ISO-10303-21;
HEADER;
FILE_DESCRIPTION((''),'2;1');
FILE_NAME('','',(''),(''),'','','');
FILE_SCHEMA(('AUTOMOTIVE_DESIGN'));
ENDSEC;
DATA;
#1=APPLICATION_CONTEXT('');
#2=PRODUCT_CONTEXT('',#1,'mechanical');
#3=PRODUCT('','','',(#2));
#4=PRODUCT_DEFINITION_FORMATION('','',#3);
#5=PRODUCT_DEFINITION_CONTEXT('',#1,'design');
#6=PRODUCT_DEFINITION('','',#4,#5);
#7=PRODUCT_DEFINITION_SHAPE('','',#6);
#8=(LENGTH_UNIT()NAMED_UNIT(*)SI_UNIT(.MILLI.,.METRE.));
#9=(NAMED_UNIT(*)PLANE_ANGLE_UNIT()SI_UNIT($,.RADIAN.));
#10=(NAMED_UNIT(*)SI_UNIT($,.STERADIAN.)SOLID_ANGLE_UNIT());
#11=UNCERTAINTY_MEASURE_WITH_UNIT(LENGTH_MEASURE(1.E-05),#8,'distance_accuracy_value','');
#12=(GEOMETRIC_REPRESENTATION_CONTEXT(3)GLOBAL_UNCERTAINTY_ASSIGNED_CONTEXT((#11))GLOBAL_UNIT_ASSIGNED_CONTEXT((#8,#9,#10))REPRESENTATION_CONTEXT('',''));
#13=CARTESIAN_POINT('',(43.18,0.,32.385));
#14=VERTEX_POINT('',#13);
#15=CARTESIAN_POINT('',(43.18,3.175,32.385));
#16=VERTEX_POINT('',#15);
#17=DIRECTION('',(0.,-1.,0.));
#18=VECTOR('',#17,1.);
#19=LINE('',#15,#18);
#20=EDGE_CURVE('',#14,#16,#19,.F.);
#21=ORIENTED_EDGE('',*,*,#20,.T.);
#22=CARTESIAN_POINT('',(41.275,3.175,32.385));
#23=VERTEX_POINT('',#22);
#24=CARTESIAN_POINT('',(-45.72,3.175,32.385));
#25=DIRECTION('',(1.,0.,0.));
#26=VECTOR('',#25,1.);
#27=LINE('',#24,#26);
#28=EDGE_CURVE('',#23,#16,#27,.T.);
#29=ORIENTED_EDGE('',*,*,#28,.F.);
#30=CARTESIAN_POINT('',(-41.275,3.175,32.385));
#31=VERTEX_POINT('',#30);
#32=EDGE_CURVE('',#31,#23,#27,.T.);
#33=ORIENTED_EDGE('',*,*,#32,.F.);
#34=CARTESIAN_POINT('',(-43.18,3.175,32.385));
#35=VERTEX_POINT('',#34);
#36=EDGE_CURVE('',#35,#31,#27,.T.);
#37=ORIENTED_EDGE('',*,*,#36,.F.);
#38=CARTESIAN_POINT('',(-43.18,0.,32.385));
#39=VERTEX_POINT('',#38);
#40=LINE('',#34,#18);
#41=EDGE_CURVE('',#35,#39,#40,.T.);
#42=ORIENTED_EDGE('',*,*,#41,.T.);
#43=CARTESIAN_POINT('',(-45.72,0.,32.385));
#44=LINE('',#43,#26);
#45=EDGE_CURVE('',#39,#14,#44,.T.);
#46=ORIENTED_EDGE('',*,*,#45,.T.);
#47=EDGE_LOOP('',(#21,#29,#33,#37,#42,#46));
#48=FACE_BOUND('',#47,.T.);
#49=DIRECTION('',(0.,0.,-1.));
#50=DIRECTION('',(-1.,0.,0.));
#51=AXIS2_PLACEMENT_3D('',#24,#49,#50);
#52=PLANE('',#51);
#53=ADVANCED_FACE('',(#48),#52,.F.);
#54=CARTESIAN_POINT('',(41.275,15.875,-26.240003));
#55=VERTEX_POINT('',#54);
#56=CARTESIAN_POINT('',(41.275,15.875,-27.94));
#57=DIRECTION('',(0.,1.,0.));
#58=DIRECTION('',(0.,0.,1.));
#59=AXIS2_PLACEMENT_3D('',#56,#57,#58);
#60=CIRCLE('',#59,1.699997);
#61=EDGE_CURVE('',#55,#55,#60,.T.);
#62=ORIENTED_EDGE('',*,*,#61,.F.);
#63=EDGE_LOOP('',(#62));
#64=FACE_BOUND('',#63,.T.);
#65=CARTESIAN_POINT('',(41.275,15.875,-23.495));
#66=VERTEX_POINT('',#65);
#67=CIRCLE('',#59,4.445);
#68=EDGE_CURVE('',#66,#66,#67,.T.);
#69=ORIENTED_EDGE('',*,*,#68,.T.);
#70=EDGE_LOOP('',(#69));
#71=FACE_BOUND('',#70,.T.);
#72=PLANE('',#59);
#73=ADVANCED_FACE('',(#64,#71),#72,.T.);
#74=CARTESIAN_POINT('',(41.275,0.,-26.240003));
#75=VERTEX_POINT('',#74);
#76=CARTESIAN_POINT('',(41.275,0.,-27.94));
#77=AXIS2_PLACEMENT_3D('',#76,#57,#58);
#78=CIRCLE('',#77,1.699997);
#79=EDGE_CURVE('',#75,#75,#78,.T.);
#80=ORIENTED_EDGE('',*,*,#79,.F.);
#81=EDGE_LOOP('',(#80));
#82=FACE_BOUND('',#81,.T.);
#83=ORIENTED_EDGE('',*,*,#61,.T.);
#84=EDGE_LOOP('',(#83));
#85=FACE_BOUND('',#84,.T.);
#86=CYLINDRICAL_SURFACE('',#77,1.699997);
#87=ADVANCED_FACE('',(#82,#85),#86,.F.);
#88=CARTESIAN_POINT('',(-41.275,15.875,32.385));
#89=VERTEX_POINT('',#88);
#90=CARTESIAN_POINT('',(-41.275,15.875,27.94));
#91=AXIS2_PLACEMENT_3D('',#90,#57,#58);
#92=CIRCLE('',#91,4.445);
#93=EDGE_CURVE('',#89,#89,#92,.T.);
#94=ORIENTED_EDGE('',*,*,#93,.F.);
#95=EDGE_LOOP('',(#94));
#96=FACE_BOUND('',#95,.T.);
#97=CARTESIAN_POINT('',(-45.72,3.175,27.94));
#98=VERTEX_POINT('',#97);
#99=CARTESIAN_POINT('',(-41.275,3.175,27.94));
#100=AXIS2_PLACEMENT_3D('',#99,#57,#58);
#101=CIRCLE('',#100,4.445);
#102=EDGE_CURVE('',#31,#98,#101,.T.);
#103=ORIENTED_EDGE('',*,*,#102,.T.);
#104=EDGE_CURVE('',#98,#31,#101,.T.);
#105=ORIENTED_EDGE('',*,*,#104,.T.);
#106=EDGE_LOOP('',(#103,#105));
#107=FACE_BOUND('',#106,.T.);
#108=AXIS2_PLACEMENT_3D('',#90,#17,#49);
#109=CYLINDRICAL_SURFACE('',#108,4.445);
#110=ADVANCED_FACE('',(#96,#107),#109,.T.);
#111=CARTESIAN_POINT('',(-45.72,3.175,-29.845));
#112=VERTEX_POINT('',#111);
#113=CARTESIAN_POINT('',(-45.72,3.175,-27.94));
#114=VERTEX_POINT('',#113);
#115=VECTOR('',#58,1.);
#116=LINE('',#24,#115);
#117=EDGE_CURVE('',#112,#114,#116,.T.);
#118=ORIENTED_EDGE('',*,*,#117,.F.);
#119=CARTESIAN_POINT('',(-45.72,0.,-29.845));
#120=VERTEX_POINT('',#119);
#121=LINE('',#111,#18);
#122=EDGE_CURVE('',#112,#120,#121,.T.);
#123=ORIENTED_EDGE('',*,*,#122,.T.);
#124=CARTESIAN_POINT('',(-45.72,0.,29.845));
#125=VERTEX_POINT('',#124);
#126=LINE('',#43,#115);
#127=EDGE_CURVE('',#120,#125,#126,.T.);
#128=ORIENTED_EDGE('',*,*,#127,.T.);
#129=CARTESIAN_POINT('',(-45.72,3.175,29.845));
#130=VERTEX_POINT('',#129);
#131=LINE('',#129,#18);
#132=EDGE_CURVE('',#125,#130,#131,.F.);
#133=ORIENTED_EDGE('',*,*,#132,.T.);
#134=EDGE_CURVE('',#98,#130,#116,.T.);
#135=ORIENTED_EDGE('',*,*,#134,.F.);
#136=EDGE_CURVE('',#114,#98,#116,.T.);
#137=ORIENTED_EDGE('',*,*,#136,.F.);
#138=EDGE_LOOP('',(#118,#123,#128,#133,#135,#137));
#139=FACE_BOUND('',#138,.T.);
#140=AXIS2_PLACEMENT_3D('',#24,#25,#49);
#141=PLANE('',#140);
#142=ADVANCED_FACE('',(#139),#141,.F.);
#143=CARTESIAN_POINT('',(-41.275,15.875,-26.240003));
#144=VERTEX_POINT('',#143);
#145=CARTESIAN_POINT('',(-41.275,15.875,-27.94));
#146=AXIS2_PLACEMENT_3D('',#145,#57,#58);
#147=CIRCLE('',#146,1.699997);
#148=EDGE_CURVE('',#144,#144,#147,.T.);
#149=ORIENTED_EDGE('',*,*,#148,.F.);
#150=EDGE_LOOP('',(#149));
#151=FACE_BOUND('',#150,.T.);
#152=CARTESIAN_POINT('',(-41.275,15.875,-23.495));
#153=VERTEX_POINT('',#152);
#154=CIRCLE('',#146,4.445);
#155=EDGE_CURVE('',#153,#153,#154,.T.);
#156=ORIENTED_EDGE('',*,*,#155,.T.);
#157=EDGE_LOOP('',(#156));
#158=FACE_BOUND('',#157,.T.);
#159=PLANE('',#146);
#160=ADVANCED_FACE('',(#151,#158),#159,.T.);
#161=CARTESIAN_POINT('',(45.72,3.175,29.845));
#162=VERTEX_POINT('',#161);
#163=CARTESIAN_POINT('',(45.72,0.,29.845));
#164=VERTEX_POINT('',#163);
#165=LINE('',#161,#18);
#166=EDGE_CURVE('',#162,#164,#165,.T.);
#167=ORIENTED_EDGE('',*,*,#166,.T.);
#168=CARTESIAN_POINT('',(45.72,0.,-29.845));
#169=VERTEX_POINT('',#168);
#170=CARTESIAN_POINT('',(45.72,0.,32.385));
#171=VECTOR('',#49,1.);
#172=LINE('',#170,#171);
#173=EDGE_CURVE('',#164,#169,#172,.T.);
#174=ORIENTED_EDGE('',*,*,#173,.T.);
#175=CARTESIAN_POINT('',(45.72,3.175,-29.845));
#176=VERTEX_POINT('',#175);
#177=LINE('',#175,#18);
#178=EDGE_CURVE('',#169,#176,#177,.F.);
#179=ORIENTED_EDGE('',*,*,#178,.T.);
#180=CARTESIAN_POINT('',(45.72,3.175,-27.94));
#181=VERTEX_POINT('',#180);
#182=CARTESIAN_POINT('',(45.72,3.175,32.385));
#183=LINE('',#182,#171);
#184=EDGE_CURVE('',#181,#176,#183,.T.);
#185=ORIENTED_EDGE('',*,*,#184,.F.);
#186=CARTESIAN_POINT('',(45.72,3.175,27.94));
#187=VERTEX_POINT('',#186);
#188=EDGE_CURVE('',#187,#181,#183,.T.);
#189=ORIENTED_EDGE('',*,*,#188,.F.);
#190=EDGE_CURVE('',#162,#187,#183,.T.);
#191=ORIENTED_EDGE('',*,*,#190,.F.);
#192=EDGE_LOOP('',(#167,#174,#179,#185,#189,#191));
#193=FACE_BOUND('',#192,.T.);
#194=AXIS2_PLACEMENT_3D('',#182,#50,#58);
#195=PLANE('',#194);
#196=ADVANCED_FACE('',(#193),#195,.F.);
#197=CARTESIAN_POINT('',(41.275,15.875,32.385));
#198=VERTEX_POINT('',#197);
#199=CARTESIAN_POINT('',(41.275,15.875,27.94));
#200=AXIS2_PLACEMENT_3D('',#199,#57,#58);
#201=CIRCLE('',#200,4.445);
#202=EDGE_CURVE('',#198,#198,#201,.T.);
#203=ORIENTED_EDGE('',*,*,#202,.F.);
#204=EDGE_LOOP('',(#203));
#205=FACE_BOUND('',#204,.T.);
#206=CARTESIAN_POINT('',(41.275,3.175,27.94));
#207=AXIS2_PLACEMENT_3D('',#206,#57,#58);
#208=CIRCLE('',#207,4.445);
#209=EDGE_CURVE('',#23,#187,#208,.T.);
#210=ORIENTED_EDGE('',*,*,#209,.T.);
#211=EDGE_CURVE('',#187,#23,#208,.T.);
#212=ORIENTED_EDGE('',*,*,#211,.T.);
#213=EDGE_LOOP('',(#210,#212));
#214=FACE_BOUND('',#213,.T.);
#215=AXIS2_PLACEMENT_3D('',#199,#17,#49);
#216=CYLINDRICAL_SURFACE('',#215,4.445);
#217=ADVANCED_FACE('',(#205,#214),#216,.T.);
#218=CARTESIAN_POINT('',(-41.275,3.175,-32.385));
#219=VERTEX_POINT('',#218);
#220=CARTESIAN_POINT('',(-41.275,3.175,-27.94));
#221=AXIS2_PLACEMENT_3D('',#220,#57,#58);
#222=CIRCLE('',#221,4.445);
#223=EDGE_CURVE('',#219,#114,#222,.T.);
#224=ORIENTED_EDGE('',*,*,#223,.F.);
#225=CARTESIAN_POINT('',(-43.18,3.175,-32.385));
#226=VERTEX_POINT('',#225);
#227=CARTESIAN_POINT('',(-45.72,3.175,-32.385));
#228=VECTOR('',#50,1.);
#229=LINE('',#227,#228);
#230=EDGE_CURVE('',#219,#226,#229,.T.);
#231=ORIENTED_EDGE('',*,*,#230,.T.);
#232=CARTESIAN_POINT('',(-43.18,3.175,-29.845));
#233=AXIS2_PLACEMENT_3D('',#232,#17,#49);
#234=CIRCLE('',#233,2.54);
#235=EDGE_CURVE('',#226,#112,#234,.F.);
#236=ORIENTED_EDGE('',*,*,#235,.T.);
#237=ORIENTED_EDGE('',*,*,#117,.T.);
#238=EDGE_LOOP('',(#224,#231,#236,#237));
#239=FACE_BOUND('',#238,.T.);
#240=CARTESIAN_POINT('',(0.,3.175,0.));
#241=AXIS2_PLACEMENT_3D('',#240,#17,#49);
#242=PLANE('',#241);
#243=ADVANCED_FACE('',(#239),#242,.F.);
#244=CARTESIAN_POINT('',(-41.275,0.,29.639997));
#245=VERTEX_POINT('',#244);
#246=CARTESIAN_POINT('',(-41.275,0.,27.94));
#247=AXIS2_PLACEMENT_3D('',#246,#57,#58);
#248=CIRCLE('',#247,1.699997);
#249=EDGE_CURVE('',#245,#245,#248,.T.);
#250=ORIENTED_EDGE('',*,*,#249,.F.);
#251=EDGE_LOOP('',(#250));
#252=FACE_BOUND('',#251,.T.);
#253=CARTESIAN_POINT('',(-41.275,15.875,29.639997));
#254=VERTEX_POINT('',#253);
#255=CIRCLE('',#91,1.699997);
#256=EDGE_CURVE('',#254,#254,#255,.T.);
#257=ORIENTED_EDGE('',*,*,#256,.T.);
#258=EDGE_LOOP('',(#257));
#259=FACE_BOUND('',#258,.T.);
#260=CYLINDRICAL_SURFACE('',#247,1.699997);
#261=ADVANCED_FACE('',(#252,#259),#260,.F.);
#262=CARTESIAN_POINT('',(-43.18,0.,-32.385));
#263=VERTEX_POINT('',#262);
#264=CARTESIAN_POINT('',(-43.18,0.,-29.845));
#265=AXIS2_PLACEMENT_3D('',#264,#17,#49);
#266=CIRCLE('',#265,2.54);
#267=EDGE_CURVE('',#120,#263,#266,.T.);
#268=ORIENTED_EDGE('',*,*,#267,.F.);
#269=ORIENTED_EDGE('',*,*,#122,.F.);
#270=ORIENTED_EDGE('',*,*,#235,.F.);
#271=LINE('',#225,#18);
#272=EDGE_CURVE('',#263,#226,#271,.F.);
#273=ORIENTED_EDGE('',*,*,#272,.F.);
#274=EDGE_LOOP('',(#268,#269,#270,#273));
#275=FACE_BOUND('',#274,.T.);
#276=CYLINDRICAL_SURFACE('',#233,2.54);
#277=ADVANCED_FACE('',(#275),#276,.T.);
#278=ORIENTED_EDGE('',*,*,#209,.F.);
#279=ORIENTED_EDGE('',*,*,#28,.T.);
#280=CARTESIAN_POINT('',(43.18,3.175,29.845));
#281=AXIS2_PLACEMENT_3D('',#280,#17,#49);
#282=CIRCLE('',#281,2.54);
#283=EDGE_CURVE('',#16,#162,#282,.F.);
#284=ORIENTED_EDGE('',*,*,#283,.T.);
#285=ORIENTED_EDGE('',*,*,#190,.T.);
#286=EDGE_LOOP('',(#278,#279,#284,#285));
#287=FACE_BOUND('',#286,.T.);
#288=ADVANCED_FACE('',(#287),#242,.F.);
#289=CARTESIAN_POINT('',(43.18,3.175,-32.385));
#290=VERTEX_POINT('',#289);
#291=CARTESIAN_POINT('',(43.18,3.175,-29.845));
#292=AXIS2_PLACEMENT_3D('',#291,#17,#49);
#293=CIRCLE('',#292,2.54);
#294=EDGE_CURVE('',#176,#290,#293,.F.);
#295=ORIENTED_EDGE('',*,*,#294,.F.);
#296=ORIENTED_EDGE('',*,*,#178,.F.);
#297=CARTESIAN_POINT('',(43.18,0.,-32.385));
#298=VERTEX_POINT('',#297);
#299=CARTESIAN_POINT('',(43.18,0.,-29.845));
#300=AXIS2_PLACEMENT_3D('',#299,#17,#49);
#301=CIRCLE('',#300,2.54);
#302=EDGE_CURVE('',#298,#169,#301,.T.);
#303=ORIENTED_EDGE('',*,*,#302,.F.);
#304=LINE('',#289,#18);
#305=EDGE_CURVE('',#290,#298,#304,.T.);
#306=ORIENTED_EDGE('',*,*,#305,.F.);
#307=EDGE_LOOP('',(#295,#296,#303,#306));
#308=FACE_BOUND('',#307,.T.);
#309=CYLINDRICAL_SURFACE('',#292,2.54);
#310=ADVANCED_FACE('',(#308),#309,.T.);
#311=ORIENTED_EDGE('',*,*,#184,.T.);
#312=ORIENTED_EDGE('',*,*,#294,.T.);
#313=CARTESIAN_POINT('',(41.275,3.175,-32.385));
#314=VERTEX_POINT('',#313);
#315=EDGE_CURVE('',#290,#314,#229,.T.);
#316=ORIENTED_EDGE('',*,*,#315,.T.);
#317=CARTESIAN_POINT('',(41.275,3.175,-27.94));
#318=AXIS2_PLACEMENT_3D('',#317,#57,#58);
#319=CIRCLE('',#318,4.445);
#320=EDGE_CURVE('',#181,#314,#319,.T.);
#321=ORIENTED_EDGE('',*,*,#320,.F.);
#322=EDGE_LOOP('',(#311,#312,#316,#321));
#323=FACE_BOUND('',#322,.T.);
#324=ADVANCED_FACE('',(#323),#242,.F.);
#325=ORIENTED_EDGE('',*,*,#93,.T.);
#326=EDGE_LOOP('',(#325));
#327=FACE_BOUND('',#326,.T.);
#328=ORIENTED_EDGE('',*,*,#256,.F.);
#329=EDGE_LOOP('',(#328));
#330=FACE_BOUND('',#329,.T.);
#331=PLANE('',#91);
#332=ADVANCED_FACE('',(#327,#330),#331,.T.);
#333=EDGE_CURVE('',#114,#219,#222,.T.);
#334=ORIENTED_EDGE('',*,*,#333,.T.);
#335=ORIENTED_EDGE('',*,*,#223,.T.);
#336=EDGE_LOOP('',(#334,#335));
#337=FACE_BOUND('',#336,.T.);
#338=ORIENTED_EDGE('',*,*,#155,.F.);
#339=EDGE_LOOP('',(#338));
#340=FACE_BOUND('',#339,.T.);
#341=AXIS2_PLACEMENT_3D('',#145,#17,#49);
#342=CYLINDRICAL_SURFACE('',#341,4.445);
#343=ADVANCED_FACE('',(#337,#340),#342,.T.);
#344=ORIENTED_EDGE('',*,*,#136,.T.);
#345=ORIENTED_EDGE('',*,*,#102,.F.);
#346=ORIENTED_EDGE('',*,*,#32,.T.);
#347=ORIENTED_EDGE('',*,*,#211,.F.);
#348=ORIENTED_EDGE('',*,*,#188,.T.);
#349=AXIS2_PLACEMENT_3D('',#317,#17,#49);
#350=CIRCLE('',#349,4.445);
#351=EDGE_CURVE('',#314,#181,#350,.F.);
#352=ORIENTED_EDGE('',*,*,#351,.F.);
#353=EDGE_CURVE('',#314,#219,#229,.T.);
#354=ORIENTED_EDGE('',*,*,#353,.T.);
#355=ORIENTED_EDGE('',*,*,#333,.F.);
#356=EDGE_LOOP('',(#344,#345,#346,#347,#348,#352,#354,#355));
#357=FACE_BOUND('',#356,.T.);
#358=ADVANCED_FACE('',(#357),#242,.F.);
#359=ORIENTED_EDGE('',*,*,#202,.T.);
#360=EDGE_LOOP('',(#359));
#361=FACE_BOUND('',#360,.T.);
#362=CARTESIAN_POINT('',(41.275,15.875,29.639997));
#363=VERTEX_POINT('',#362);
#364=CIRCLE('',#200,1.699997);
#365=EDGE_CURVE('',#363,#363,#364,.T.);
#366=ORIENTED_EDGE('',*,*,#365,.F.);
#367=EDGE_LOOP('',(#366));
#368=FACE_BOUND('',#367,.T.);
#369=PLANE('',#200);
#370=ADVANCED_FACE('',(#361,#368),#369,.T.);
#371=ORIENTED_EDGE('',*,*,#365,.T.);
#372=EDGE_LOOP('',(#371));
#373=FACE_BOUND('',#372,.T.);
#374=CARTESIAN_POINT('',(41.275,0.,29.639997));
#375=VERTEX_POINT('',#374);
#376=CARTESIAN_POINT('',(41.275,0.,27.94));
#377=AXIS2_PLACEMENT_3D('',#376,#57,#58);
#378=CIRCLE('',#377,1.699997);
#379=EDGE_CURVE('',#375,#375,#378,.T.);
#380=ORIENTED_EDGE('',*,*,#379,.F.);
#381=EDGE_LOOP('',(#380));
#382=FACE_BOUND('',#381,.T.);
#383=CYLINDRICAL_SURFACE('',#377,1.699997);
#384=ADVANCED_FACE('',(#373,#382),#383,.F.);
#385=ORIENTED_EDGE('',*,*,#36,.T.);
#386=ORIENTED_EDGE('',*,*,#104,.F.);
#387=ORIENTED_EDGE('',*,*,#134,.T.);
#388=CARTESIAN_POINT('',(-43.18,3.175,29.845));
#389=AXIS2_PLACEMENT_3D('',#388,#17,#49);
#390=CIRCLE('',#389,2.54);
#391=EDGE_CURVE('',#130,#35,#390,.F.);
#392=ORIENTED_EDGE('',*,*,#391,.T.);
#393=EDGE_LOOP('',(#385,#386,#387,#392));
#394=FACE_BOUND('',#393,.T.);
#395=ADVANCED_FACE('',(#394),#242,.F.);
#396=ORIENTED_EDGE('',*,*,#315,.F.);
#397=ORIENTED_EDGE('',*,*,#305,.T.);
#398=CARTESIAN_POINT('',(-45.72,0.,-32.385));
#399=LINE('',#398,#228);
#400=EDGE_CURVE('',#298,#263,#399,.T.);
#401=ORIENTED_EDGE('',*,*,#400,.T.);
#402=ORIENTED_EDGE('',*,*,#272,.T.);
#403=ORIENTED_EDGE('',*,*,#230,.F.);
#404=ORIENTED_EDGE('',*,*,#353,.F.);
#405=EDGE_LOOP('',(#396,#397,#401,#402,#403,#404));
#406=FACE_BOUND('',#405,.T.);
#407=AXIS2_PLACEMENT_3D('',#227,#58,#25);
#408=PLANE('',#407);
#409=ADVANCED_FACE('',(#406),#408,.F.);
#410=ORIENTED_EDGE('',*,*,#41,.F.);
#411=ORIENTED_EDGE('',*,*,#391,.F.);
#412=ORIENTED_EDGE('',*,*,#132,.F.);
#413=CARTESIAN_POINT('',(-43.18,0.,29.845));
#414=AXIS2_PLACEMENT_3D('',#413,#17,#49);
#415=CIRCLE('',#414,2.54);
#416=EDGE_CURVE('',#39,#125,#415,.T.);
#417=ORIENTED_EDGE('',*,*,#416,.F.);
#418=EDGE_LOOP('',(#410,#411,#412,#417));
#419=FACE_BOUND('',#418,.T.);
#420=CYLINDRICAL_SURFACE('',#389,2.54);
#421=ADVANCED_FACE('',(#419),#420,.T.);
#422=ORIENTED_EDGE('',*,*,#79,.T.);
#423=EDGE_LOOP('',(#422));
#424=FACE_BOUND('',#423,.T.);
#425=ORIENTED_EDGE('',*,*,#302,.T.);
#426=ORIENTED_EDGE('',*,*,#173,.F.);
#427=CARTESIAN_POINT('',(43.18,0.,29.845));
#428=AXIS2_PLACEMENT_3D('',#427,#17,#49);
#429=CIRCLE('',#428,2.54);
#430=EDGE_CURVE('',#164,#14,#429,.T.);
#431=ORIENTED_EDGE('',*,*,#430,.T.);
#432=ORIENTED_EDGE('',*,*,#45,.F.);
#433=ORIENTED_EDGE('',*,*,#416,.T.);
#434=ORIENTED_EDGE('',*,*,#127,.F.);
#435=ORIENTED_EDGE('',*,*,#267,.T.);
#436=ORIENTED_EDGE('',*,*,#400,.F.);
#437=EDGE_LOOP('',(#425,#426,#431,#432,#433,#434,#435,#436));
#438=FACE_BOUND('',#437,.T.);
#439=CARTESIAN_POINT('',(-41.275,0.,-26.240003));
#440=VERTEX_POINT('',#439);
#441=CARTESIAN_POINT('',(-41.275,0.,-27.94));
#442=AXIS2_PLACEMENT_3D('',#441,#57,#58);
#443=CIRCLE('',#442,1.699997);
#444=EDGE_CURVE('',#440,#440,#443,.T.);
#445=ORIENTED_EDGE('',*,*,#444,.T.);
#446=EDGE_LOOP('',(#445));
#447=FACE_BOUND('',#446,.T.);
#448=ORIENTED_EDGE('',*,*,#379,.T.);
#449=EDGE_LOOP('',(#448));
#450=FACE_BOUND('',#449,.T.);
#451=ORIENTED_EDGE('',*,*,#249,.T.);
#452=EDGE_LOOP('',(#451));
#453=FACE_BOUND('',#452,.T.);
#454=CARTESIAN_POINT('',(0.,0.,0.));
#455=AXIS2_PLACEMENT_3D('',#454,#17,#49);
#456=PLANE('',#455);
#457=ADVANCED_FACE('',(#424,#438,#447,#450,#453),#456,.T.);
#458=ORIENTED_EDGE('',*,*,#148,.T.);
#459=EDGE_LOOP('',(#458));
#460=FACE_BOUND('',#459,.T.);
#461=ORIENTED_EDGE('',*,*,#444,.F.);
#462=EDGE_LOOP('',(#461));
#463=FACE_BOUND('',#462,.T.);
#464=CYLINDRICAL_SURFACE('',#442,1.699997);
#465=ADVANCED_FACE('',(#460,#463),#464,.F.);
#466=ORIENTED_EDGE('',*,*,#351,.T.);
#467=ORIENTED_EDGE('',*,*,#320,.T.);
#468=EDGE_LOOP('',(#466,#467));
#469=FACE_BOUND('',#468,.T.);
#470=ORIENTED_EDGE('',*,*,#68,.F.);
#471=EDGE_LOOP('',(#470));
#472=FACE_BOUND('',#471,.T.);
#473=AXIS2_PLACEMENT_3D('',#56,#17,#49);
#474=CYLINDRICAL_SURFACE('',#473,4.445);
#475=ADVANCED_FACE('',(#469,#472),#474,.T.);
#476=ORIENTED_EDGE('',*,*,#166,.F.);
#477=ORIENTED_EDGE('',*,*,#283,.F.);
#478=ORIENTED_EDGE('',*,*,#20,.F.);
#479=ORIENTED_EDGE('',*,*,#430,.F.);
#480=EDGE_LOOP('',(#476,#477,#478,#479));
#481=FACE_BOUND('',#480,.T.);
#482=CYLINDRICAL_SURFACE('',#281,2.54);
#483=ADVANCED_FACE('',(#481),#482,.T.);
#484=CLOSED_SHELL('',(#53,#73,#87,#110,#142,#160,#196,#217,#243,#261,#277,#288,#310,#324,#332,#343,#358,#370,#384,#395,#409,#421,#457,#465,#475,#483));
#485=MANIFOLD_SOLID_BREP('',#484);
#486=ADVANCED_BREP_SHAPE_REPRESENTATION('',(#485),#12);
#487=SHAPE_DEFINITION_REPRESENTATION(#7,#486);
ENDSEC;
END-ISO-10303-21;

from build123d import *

# Parameters (mm, degrees)
SKETCH1_W           = 91.44
SKETCH1_H           = 64.77
BOSS_EXTRUDE1_DEPTH = 3.175
SKETCH2_R           = 4.445
BOSS_EXTRUDE2_DEPTH = 12.7
SKETCH3_R           = 1.6999966
CUT_EXTRUDE1_DEPTH  = 59.233343112
FILLET1_R           = 2.54


with BuildPart() as part:
    # Sketch1 → Boss-Extrude1 (new body)
    with BuildSketch(Plane(origin=(0, 0, 0), x_dir=(1, 0, 0), z_dir=(0, 1, 0))):
        Rectangle(SKETCH1_W, SKETCH1_H)
    extrude(amount=BOSS_EXTRUDE1_DEPTH)

    # Sketch2 → Boss-Extrude2 (add)
    with BuildSketch(Plane(origin=(0, 3.175, 0), x_dir=(1, 0, 0), z_dir=(0, 1, 0))):
        with Locations(Location((-41.275, 27.94, 0), (0, 0, 90))):
            Circle(SKETCH2_R)
        with Locations(Location((41.275, 27.94, 0), (0, 0, 90))):
            Circle(SKETCH2_R)
        with Locations(Location((41.275, -27.94, 0), (0, 0, 270))):
            Circle(SKETCH2_R)
        with Locations(Location((-41.275, -27.94, 0), (0, 0, 270))):
            Circle(SKETCH2_R)
    extrude(amount=BOSS_EXTRUDE2_DEPTH)

    # Sketch3 → Cut-Extrude1 (cut, through all)
    with BuildSketch(Plane(origin=(0, 15.875, 0), x_dir=(1, 0, 0), z_dir=(0, 1, 0))):
        with Locations(Location((-41.275, 27.94, 0), (0, 0, 270))):
            Circle(SKETCH3_R)
        with Locations(Location((41.275, 27.94, 0), (0, 0, 270))):
            Circle(SKETCH3_R)
        with Locations(Location((41.275, -27.94, 0), (0, 0, 270))):
            Circle(SKETCH3_R)
        with Locations(Location((-41.275, -27.94, 0), (0, 0, 270))):
            Circle(SKETCH3_R)
    extrude(amount=-CUT_EXTRUDE1_DEPTH, mode=Mode.SUBTRACT)

    # Fillet1
    fillet1_edges = [part.edges().sort_by_distance(p)[0] for p in [
        (45.72, 1.5875, 32.385),
        (-45.72, 1.5875, 32.385),
        (-45.72, 1.5875, -32.385),
        (45.72, 1.5875, -32.385),
    ]]
    fillet(fillet1_edges, radius=FILLET1_R)


solid = part.part
